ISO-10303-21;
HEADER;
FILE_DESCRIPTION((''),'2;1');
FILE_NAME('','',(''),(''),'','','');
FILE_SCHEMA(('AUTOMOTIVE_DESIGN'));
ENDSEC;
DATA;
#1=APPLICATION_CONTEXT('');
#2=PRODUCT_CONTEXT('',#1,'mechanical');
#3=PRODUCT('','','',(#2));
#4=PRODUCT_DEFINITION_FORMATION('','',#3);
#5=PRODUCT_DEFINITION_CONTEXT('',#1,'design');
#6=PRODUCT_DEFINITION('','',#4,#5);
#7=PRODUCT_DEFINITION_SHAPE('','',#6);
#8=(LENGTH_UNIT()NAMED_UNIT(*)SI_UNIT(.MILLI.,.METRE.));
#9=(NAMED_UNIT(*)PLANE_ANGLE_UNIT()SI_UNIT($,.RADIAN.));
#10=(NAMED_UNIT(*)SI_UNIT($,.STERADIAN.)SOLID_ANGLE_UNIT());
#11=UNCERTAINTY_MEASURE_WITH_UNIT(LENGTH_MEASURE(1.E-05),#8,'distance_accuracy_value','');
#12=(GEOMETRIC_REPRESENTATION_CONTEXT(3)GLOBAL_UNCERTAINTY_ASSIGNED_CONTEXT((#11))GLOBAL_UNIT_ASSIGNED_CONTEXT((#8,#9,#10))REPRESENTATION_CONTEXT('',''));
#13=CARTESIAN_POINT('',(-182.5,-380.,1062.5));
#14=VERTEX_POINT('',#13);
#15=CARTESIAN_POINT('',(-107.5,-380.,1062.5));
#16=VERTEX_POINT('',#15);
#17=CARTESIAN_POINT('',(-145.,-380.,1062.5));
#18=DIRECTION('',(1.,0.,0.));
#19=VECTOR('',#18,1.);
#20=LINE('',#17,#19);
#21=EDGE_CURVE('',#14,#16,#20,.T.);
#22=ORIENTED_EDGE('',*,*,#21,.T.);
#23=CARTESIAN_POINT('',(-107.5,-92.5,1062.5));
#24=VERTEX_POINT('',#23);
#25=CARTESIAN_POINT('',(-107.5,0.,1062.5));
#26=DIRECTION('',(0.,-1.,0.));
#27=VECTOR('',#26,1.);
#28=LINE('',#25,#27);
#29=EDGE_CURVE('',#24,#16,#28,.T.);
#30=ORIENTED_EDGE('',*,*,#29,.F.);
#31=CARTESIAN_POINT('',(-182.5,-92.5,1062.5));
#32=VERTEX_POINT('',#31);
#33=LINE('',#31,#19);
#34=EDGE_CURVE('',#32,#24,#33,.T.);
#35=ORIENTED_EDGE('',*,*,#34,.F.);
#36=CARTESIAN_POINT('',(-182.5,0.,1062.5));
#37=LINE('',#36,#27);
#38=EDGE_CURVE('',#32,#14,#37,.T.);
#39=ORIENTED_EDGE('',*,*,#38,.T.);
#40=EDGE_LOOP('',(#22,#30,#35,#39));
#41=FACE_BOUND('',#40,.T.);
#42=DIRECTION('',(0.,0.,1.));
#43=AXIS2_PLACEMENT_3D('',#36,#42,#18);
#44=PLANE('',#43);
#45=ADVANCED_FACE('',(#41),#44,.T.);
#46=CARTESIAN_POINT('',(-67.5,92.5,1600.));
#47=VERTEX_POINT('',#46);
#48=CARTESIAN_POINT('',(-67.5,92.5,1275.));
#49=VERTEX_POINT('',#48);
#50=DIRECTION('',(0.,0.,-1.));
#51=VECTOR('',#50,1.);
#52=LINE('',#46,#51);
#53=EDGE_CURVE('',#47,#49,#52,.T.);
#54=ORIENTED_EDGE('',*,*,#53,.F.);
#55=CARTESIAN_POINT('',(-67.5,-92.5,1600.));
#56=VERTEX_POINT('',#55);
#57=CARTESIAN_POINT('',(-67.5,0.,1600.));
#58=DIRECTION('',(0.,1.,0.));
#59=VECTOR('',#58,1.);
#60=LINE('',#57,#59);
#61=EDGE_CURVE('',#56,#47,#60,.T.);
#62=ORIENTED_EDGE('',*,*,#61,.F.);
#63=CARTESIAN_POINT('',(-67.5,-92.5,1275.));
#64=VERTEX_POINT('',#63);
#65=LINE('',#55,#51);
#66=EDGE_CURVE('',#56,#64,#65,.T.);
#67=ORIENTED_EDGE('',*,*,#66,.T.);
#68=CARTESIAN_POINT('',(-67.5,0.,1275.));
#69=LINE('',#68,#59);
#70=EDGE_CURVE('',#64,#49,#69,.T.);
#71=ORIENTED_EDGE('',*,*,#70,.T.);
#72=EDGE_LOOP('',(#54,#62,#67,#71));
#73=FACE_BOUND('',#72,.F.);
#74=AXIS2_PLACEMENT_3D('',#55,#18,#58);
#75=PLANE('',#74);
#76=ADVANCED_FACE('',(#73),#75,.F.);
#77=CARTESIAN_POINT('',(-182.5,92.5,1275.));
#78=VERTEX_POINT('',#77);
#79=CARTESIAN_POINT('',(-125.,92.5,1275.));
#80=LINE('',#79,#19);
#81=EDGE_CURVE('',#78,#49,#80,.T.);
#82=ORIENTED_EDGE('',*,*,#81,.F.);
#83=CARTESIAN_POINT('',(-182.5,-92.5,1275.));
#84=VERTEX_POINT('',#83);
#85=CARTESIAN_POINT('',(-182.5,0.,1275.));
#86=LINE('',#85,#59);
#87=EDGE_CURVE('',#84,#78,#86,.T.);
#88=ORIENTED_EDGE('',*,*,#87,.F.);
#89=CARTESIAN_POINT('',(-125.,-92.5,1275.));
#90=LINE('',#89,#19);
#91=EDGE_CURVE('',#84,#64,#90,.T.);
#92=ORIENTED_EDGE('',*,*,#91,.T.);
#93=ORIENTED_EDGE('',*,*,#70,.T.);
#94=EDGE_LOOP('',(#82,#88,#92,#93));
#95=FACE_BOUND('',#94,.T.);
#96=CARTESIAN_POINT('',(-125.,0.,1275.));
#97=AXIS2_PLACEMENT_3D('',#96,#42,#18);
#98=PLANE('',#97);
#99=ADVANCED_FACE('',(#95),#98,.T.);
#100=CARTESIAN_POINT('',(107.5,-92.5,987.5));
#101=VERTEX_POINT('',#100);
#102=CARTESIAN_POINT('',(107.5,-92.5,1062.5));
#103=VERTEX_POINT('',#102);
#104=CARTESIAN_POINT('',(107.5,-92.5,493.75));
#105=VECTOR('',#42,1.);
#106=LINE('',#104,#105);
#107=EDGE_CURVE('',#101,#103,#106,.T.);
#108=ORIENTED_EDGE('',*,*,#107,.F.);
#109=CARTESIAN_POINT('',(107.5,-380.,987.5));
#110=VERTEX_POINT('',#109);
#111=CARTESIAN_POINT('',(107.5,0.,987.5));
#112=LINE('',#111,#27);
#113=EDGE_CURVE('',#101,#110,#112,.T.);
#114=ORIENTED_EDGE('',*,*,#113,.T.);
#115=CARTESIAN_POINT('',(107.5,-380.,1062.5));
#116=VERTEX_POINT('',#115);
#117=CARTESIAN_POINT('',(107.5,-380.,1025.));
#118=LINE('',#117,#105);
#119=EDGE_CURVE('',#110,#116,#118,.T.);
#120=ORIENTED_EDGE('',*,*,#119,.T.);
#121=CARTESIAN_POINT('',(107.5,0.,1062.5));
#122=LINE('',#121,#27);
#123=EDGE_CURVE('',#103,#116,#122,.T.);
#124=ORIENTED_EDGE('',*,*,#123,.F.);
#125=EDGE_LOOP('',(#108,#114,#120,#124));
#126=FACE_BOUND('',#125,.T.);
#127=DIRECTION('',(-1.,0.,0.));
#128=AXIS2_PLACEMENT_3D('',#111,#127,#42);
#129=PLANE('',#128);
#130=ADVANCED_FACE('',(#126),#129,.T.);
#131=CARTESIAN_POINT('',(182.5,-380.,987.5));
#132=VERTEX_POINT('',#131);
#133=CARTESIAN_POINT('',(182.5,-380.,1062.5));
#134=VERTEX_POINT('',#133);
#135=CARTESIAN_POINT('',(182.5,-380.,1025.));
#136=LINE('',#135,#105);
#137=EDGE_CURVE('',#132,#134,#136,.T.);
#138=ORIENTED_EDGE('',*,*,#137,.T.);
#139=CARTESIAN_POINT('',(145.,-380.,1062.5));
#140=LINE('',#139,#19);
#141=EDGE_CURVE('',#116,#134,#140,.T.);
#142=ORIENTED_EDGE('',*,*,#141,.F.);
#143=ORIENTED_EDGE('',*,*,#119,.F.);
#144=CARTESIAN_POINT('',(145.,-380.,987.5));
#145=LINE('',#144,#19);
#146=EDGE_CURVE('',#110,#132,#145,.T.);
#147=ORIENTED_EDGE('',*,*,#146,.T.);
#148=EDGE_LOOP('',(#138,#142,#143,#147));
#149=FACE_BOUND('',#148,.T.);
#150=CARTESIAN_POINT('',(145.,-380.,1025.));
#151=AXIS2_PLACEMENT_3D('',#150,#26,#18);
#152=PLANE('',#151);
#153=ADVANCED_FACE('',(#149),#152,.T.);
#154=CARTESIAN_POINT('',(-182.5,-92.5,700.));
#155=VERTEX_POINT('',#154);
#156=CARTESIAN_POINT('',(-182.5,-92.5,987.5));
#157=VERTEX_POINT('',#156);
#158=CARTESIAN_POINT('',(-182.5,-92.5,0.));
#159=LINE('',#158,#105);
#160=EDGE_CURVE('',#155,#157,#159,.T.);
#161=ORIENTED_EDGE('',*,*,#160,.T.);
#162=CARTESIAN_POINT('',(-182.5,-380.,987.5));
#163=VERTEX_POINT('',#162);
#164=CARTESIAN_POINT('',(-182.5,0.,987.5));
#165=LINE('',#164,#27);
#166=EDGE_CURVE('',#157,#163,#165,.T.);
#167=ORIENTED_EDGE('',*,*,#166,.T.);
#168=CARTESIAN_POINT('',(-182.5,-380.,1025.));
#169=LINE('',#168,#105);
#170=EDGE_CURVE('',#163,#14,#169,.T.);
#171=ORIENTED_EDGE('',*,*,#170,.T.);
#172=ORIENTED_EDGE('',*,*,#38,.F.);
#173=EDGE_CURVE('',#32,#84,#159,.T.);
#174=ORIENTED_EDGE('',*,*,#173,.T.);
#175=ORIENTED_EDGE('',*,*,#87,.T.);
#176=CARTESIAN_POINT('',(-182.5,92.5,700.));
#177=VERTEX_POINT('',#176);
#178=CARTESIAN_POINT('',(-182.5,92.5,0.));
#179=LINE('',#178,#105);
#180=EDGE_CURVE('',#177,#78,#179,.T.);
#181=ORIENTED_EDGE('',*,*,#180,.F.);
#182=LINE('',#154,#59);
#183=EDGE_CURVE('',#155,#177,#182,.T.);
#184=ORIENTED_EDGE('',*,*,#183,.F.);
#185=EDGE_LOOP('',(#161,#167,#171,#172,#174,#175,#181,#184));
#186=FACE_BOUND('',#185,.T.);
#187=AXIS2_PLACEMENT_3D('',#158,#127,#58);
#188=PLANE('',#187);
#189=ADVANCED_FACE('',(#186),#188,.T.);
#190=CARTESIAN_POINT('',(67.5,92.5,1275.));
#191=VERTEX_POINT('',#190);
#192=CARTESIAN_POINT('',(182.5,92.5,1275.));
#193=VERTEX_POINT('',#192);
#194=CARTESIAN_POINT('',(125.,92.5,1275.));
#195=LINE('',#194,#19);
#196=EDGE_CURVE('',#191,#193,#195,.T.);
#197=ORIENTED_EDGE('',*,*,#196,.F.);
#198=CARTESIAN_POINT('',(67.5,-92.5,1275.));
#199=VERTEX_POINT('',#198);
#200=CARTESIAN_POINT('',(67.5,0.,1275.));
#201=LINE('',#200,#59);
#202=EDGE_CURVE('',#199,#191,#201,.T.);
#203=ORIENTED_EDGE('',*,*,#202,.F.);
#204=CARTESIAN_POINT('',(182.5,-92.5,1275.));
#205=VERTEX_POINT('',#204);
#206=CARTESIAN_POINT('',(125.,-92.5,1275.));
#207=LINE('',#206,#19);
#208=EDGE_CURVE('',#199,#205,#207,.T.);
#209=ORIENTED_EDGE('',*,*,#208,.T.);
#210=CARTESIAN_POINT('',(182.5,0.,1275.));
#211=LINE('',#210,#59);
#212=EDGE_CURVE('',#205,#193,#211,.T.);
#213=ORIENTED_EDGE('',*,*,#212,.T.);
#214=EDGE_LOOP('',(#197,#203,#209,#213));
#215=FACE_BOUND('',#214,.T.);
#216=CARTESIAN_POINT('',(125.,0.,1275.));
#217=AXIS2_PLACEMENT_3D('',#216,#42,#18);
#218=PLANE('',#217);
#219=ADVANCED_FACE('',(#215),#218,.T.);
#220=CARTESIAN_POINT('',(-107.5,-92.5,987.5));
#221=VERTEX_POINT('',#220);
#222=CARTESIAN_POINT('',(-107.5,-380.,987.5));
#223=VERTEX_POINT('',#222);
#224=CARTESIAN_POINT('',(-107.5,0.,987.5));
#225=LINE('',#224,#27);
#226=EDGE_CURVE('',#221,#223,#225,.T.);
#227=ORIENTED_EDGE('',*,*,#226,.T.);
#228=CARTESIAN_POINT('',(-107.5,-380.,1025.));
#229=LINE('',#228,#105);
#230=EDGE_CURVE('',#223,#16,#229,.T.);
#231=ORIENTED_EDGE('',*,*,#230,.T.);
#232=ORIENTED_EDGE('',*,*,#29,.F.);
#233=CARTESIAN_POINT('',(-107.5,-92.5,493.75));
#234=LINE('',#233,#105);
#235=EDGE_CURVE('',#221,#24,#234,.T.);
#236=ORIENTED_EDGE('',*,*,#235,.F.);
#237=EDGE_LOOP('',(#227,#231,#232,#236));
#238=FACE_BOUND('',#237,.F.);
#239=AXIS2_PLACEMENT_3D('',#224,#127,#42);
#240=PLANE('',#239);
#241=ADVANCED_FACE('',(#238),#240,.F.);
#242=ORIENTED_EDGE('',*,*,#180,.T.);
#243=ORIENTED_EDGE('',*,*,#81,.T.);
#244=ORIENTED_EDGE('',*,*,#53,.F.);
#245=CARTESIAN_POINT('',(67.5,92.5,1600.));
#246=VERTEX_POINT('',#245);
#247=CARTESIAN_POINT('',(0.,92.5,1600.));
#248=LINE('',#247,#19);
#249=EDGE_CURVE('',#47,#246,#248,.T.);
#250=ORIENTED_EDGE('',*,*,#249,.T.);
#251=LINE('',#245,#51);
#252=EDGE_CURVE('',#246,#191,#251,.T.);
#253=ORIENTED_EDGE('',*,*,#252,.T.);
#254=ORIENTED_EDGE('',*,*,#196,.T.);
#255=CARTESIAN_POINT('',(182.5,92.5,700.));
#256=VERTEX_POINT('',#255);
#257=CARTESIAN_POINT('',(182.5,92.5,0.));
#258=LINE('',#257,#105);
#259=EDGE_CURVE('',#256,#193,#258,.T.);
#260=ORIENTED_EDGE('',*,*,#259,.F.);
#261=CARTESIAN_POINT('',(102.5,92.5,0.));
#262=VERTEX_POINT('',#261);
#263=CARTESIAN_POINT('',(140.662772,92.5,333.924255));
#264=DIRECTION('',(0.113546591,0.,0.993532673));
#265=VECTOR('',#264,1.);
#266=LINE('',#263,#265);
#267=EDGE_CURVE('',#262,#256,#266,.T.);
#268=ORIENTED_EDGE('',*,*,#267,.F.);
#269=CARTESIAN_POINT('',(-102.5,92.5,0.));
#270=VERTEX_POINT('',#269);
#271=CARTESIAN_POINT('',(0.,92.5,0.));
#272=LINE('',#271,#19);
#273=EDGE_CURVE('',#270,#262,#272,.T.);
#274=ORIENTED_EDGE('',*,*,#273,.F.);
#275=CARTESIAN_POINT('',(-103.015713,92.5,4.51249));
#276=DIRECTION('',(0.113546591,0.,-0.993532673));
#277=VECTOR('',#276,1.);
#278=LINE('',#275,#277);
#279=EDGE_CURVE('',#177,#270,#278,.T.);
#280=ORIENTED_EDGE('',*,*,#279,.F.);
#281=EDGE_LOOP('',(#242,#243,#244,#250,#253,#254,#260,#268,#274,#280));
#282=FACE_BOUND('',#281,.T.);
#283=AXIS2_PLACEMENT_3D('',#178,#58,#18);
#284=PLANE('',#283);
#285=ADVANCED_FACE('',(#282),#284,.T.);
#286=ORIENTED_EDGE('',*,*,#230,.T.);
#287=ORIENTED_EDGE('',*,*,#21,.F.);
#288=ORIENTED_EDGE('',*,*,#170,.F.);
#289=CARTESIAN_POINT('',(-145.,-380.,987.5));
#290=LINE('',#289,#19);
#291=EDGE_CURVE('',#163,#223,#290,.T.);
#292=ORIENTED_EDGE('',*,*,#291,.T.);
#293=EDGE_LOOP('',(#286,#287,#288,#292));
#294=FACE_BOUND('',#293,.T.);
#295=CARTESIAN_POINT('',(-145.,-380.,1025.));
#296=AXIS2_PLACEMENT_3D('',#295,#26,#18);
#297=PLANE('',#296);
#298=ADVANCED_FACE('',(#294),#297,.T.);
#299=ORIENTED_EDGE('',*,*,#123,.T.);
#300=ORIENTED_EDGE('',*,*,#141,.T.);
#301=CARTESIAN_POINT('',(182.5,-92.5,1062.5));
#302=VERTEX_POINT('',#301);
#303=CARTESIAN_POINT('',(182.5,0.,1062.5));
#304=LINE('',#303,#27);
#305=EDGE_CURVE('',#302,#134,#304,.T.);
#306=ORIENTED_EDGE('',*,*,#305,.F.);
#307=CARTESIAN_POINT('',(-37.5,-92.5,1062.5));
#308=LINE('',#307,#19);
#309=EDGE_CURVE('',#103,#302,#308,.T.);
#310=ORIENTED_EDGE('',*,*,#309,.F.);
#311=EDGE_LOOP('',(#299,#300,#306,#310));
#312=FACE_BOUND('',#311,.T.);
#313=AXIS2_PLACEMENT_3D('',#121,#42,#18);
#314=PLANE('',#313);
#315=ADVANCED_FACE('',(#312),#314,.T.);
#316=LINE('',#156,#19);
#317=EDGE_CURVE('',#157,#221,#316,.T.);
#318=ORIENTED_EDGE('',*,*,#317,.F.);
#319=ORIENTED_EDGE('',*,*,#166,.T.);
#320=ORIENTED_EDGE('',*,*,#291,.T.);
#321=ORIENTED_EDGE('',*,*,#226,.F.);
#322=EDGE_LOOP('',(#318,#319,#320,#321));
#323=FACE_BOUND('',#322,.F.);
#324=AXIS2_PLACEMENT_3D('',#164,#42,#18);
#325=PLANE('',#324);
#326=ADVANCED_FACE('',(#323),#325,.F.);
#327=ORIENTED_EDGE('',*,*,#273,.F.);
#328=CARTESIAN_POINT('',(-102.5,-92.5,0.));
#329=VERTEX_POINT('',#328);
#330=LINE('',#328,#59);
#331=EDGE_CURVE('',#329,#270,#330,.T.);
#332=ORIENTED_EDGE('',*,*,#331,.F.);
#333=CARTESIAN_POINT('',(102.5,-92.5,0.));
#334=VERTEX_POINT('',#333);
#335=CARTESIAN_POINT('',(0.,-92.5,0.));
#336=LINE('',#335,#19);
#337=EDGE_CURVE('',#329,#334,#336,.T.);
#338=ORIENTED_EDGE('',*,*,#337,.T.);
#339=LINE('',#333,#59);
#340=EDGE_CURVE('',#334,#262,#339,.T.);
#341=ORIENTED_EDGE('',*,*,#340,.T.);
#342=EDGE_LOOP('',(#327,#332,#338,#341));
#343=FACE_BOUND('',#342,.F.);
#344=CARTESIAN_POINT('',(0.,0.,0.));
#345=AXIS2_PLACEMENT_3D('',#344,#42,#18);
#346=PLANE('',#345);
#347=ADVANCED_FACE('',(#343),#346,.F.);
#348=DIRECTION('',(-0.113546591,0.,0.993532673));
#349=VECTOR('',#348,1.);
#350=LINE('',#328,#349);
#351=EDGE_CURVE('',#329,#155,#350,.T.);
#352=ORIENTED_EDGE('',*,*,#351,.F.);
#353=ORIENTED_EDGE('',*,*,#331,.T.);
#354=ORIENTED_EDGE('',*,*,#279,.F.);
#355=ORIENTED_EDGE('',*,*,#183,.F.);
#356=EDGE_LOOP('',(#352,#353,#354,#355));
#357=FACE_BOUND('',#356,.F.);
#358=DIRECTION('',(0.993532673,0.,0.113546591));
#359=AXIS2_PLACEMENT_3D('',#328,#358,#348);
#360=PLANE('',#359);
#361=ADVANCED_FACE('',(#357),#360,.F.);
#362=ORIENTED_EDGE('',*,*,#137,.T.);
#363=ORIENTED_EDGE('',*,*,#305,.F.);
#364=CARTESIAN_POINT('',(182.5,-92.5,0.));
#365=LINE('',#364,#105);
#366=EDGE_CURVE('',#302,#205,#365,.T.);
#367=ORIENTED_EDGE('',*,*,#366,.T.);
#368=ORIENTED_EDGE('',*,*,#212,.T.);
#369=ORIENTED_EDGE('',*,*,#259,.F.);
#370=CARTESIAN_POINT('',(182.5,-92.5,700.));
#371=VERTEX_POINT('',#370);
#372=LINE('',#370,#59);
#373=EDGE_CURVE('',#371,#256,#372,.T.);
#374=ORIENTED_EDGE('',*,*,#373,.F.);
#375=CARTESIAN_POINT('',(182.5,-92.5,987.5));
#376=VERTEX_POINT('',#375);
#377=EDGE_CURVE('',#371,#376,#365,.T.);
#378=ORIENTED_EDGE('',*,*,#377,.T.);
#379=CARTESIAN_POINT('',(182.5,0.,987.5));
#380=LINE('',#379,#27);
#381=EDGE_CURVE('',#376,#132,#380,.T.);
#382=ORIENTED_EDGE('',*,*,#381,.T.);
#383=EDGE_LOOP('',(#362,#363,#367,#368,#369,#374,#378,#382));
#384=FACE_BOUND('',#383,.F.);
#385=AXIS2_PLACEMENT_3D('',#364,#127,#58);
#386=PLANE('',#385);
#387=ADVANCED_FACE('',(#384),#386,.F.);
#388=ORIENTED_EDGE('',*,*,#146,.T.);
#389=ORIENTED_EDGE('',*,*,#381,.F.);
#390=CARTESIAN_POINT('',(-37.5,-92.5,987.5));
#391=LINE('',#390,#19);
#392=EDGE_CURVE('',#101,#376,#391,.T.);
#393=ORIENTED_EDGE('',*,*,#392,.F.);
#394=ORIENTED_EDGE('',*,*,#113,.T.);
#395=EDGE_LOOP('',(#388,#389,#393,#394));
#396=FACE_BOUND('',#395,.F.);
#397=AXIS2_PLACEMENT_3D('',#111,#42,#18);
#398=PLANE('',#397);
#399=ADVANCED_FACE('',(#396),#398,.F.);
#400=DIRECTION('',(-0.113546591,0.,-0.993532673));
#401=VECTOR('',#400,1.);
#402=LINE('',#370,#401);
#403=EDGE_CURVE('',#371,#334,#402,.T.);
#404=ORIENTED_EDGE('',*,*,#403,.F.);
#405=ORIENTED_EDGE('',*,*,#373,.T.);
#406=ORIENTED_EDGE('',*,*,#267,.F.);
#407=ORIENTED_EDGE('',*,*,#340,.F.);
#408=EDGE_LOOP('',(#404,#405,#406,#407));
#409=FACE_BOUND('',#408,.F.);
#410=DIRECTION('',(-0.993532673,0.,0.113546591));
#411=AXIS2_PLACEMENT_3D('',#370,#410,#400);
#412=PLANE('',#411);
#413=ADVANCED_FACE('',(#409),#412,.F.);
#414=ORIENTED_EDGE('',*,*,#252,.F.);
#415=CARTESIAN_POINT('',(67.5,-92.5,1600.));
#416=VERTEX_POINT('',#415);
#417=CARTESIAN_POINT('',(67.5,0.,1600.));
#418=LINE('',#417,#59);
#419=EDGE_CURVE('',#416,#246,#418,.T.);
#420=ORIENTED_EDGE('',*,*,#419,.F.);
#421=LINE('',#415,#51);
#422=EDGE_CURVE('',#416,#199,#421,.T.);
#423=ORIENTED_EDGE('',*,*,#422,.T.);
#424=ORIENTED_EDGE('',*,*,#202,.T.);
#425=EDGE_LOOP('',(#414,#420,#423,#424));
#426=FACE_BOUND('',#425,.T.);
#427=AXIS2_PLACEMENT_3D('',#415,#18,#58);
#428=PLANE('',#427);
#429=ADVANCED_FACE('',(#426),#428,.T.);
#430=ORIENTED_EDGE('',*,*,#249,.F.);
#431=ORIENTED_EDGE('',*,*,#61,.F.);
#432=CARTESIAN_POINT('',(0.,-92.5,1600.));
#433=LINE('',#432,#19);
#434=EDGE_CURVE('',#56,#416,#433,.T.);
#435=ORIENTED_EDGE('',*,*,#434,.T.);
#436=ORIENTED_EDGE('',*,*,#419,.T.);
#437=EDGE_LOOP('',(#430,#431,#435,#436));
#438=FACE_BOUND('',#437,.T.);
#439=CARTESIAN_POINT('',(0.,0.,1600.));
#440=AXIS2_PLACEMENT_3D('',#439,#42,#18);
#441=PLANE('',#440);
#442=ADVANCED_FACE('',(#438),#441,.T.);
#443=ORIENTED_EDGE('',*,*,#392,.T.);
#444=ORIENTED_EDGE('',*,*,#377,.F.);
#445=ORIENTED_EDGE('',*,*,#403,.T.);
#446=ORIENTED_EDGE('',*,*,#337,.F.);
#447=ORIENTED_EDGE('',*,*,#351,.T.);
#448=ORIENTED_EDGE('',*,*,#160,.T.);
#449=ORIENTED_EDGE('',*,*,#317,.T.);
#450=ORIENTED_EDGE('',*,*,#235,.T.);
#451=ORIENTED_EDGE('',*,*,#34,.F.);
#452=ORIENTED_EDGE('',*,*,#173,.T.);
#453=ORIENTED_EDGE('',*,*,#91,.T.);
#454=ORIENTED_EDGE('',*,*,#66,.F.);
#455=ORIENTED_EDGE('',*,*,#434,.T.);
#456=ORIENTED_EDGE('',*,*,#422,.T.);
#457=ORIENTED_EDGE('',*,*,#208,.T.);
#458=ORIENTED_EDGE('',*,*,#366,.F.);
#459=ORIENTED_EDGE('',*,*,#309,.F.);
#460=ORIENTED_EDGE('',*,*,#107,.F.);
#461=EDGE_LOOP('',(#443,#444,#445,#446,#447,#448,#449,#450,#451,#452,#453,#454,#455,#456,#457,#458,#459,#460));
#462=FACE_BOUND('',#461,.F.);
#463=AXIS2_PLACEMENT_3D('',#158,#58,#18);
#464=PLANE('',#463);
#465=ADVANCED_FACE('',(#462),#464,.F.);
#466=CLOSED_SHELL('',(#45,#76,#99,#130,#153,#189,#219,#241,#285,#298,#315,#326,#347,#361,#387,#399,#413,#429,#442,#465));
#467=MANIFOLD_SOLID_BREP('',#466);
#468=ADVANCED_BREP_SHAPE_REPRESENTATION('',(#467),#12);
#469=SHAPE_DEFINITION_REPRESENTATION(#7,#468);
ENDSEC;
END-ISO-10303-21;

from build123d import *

# Parameters (mm, degrees)
F0_W     = 365
F0_H     = 185
F1_DEPTH = 1600
F2_W     = 75
F2_H     = 75
F3_DEPTH = 380
F4_W     = 115
F4_H     = 185
F5_DEPTH = 325
F7_DEPTH = 185.001


with BuildPart() as f1:
    # F0 (on Top) → F1 (new body)
    with BuildSketch(Plane.XY):
        Rectangle(F0_W, F0_H)
    extrude(amount=F1_DEPTH)

    # F2 (on Front) → F3 (join)
    with BuildSketch(Plane.XZ):
        with Locations((-145, 1025)):
            Rectangle(F2_W, F2_H)
        with Locations((145, 1025)):
            Rectangle(F2_W, F2_H)
    extrude(amount=F3_DEPTH)

    # F4 (on face) → F5 (cut)
    with BuildSketch(Plane.XY.offset(1600)):
        with Locations((-125, 0)):
            Rectangle(F4_W, F4_H)
        with Locations((125, 0)):
            Rectangle(F4_W, F4_H)
    extrude(amount=-F5_DEPTH, mode=Mode.SUBTRACT)

    # F6 (on face) → F7 (cut, through all)
    with BuildSketch(Plane.XZ.offset(92.5)):
        Polygon((-102.5, 0), (-182.5, 700), (-182.5, 0), align=None)
        Polygon((182.5, 0), (182.5, 700), (102.5, 0), align=None)
    extrude(amount=-F7_DEPTH, mode=Mode.SUBTRACT)


solid = f1.part
